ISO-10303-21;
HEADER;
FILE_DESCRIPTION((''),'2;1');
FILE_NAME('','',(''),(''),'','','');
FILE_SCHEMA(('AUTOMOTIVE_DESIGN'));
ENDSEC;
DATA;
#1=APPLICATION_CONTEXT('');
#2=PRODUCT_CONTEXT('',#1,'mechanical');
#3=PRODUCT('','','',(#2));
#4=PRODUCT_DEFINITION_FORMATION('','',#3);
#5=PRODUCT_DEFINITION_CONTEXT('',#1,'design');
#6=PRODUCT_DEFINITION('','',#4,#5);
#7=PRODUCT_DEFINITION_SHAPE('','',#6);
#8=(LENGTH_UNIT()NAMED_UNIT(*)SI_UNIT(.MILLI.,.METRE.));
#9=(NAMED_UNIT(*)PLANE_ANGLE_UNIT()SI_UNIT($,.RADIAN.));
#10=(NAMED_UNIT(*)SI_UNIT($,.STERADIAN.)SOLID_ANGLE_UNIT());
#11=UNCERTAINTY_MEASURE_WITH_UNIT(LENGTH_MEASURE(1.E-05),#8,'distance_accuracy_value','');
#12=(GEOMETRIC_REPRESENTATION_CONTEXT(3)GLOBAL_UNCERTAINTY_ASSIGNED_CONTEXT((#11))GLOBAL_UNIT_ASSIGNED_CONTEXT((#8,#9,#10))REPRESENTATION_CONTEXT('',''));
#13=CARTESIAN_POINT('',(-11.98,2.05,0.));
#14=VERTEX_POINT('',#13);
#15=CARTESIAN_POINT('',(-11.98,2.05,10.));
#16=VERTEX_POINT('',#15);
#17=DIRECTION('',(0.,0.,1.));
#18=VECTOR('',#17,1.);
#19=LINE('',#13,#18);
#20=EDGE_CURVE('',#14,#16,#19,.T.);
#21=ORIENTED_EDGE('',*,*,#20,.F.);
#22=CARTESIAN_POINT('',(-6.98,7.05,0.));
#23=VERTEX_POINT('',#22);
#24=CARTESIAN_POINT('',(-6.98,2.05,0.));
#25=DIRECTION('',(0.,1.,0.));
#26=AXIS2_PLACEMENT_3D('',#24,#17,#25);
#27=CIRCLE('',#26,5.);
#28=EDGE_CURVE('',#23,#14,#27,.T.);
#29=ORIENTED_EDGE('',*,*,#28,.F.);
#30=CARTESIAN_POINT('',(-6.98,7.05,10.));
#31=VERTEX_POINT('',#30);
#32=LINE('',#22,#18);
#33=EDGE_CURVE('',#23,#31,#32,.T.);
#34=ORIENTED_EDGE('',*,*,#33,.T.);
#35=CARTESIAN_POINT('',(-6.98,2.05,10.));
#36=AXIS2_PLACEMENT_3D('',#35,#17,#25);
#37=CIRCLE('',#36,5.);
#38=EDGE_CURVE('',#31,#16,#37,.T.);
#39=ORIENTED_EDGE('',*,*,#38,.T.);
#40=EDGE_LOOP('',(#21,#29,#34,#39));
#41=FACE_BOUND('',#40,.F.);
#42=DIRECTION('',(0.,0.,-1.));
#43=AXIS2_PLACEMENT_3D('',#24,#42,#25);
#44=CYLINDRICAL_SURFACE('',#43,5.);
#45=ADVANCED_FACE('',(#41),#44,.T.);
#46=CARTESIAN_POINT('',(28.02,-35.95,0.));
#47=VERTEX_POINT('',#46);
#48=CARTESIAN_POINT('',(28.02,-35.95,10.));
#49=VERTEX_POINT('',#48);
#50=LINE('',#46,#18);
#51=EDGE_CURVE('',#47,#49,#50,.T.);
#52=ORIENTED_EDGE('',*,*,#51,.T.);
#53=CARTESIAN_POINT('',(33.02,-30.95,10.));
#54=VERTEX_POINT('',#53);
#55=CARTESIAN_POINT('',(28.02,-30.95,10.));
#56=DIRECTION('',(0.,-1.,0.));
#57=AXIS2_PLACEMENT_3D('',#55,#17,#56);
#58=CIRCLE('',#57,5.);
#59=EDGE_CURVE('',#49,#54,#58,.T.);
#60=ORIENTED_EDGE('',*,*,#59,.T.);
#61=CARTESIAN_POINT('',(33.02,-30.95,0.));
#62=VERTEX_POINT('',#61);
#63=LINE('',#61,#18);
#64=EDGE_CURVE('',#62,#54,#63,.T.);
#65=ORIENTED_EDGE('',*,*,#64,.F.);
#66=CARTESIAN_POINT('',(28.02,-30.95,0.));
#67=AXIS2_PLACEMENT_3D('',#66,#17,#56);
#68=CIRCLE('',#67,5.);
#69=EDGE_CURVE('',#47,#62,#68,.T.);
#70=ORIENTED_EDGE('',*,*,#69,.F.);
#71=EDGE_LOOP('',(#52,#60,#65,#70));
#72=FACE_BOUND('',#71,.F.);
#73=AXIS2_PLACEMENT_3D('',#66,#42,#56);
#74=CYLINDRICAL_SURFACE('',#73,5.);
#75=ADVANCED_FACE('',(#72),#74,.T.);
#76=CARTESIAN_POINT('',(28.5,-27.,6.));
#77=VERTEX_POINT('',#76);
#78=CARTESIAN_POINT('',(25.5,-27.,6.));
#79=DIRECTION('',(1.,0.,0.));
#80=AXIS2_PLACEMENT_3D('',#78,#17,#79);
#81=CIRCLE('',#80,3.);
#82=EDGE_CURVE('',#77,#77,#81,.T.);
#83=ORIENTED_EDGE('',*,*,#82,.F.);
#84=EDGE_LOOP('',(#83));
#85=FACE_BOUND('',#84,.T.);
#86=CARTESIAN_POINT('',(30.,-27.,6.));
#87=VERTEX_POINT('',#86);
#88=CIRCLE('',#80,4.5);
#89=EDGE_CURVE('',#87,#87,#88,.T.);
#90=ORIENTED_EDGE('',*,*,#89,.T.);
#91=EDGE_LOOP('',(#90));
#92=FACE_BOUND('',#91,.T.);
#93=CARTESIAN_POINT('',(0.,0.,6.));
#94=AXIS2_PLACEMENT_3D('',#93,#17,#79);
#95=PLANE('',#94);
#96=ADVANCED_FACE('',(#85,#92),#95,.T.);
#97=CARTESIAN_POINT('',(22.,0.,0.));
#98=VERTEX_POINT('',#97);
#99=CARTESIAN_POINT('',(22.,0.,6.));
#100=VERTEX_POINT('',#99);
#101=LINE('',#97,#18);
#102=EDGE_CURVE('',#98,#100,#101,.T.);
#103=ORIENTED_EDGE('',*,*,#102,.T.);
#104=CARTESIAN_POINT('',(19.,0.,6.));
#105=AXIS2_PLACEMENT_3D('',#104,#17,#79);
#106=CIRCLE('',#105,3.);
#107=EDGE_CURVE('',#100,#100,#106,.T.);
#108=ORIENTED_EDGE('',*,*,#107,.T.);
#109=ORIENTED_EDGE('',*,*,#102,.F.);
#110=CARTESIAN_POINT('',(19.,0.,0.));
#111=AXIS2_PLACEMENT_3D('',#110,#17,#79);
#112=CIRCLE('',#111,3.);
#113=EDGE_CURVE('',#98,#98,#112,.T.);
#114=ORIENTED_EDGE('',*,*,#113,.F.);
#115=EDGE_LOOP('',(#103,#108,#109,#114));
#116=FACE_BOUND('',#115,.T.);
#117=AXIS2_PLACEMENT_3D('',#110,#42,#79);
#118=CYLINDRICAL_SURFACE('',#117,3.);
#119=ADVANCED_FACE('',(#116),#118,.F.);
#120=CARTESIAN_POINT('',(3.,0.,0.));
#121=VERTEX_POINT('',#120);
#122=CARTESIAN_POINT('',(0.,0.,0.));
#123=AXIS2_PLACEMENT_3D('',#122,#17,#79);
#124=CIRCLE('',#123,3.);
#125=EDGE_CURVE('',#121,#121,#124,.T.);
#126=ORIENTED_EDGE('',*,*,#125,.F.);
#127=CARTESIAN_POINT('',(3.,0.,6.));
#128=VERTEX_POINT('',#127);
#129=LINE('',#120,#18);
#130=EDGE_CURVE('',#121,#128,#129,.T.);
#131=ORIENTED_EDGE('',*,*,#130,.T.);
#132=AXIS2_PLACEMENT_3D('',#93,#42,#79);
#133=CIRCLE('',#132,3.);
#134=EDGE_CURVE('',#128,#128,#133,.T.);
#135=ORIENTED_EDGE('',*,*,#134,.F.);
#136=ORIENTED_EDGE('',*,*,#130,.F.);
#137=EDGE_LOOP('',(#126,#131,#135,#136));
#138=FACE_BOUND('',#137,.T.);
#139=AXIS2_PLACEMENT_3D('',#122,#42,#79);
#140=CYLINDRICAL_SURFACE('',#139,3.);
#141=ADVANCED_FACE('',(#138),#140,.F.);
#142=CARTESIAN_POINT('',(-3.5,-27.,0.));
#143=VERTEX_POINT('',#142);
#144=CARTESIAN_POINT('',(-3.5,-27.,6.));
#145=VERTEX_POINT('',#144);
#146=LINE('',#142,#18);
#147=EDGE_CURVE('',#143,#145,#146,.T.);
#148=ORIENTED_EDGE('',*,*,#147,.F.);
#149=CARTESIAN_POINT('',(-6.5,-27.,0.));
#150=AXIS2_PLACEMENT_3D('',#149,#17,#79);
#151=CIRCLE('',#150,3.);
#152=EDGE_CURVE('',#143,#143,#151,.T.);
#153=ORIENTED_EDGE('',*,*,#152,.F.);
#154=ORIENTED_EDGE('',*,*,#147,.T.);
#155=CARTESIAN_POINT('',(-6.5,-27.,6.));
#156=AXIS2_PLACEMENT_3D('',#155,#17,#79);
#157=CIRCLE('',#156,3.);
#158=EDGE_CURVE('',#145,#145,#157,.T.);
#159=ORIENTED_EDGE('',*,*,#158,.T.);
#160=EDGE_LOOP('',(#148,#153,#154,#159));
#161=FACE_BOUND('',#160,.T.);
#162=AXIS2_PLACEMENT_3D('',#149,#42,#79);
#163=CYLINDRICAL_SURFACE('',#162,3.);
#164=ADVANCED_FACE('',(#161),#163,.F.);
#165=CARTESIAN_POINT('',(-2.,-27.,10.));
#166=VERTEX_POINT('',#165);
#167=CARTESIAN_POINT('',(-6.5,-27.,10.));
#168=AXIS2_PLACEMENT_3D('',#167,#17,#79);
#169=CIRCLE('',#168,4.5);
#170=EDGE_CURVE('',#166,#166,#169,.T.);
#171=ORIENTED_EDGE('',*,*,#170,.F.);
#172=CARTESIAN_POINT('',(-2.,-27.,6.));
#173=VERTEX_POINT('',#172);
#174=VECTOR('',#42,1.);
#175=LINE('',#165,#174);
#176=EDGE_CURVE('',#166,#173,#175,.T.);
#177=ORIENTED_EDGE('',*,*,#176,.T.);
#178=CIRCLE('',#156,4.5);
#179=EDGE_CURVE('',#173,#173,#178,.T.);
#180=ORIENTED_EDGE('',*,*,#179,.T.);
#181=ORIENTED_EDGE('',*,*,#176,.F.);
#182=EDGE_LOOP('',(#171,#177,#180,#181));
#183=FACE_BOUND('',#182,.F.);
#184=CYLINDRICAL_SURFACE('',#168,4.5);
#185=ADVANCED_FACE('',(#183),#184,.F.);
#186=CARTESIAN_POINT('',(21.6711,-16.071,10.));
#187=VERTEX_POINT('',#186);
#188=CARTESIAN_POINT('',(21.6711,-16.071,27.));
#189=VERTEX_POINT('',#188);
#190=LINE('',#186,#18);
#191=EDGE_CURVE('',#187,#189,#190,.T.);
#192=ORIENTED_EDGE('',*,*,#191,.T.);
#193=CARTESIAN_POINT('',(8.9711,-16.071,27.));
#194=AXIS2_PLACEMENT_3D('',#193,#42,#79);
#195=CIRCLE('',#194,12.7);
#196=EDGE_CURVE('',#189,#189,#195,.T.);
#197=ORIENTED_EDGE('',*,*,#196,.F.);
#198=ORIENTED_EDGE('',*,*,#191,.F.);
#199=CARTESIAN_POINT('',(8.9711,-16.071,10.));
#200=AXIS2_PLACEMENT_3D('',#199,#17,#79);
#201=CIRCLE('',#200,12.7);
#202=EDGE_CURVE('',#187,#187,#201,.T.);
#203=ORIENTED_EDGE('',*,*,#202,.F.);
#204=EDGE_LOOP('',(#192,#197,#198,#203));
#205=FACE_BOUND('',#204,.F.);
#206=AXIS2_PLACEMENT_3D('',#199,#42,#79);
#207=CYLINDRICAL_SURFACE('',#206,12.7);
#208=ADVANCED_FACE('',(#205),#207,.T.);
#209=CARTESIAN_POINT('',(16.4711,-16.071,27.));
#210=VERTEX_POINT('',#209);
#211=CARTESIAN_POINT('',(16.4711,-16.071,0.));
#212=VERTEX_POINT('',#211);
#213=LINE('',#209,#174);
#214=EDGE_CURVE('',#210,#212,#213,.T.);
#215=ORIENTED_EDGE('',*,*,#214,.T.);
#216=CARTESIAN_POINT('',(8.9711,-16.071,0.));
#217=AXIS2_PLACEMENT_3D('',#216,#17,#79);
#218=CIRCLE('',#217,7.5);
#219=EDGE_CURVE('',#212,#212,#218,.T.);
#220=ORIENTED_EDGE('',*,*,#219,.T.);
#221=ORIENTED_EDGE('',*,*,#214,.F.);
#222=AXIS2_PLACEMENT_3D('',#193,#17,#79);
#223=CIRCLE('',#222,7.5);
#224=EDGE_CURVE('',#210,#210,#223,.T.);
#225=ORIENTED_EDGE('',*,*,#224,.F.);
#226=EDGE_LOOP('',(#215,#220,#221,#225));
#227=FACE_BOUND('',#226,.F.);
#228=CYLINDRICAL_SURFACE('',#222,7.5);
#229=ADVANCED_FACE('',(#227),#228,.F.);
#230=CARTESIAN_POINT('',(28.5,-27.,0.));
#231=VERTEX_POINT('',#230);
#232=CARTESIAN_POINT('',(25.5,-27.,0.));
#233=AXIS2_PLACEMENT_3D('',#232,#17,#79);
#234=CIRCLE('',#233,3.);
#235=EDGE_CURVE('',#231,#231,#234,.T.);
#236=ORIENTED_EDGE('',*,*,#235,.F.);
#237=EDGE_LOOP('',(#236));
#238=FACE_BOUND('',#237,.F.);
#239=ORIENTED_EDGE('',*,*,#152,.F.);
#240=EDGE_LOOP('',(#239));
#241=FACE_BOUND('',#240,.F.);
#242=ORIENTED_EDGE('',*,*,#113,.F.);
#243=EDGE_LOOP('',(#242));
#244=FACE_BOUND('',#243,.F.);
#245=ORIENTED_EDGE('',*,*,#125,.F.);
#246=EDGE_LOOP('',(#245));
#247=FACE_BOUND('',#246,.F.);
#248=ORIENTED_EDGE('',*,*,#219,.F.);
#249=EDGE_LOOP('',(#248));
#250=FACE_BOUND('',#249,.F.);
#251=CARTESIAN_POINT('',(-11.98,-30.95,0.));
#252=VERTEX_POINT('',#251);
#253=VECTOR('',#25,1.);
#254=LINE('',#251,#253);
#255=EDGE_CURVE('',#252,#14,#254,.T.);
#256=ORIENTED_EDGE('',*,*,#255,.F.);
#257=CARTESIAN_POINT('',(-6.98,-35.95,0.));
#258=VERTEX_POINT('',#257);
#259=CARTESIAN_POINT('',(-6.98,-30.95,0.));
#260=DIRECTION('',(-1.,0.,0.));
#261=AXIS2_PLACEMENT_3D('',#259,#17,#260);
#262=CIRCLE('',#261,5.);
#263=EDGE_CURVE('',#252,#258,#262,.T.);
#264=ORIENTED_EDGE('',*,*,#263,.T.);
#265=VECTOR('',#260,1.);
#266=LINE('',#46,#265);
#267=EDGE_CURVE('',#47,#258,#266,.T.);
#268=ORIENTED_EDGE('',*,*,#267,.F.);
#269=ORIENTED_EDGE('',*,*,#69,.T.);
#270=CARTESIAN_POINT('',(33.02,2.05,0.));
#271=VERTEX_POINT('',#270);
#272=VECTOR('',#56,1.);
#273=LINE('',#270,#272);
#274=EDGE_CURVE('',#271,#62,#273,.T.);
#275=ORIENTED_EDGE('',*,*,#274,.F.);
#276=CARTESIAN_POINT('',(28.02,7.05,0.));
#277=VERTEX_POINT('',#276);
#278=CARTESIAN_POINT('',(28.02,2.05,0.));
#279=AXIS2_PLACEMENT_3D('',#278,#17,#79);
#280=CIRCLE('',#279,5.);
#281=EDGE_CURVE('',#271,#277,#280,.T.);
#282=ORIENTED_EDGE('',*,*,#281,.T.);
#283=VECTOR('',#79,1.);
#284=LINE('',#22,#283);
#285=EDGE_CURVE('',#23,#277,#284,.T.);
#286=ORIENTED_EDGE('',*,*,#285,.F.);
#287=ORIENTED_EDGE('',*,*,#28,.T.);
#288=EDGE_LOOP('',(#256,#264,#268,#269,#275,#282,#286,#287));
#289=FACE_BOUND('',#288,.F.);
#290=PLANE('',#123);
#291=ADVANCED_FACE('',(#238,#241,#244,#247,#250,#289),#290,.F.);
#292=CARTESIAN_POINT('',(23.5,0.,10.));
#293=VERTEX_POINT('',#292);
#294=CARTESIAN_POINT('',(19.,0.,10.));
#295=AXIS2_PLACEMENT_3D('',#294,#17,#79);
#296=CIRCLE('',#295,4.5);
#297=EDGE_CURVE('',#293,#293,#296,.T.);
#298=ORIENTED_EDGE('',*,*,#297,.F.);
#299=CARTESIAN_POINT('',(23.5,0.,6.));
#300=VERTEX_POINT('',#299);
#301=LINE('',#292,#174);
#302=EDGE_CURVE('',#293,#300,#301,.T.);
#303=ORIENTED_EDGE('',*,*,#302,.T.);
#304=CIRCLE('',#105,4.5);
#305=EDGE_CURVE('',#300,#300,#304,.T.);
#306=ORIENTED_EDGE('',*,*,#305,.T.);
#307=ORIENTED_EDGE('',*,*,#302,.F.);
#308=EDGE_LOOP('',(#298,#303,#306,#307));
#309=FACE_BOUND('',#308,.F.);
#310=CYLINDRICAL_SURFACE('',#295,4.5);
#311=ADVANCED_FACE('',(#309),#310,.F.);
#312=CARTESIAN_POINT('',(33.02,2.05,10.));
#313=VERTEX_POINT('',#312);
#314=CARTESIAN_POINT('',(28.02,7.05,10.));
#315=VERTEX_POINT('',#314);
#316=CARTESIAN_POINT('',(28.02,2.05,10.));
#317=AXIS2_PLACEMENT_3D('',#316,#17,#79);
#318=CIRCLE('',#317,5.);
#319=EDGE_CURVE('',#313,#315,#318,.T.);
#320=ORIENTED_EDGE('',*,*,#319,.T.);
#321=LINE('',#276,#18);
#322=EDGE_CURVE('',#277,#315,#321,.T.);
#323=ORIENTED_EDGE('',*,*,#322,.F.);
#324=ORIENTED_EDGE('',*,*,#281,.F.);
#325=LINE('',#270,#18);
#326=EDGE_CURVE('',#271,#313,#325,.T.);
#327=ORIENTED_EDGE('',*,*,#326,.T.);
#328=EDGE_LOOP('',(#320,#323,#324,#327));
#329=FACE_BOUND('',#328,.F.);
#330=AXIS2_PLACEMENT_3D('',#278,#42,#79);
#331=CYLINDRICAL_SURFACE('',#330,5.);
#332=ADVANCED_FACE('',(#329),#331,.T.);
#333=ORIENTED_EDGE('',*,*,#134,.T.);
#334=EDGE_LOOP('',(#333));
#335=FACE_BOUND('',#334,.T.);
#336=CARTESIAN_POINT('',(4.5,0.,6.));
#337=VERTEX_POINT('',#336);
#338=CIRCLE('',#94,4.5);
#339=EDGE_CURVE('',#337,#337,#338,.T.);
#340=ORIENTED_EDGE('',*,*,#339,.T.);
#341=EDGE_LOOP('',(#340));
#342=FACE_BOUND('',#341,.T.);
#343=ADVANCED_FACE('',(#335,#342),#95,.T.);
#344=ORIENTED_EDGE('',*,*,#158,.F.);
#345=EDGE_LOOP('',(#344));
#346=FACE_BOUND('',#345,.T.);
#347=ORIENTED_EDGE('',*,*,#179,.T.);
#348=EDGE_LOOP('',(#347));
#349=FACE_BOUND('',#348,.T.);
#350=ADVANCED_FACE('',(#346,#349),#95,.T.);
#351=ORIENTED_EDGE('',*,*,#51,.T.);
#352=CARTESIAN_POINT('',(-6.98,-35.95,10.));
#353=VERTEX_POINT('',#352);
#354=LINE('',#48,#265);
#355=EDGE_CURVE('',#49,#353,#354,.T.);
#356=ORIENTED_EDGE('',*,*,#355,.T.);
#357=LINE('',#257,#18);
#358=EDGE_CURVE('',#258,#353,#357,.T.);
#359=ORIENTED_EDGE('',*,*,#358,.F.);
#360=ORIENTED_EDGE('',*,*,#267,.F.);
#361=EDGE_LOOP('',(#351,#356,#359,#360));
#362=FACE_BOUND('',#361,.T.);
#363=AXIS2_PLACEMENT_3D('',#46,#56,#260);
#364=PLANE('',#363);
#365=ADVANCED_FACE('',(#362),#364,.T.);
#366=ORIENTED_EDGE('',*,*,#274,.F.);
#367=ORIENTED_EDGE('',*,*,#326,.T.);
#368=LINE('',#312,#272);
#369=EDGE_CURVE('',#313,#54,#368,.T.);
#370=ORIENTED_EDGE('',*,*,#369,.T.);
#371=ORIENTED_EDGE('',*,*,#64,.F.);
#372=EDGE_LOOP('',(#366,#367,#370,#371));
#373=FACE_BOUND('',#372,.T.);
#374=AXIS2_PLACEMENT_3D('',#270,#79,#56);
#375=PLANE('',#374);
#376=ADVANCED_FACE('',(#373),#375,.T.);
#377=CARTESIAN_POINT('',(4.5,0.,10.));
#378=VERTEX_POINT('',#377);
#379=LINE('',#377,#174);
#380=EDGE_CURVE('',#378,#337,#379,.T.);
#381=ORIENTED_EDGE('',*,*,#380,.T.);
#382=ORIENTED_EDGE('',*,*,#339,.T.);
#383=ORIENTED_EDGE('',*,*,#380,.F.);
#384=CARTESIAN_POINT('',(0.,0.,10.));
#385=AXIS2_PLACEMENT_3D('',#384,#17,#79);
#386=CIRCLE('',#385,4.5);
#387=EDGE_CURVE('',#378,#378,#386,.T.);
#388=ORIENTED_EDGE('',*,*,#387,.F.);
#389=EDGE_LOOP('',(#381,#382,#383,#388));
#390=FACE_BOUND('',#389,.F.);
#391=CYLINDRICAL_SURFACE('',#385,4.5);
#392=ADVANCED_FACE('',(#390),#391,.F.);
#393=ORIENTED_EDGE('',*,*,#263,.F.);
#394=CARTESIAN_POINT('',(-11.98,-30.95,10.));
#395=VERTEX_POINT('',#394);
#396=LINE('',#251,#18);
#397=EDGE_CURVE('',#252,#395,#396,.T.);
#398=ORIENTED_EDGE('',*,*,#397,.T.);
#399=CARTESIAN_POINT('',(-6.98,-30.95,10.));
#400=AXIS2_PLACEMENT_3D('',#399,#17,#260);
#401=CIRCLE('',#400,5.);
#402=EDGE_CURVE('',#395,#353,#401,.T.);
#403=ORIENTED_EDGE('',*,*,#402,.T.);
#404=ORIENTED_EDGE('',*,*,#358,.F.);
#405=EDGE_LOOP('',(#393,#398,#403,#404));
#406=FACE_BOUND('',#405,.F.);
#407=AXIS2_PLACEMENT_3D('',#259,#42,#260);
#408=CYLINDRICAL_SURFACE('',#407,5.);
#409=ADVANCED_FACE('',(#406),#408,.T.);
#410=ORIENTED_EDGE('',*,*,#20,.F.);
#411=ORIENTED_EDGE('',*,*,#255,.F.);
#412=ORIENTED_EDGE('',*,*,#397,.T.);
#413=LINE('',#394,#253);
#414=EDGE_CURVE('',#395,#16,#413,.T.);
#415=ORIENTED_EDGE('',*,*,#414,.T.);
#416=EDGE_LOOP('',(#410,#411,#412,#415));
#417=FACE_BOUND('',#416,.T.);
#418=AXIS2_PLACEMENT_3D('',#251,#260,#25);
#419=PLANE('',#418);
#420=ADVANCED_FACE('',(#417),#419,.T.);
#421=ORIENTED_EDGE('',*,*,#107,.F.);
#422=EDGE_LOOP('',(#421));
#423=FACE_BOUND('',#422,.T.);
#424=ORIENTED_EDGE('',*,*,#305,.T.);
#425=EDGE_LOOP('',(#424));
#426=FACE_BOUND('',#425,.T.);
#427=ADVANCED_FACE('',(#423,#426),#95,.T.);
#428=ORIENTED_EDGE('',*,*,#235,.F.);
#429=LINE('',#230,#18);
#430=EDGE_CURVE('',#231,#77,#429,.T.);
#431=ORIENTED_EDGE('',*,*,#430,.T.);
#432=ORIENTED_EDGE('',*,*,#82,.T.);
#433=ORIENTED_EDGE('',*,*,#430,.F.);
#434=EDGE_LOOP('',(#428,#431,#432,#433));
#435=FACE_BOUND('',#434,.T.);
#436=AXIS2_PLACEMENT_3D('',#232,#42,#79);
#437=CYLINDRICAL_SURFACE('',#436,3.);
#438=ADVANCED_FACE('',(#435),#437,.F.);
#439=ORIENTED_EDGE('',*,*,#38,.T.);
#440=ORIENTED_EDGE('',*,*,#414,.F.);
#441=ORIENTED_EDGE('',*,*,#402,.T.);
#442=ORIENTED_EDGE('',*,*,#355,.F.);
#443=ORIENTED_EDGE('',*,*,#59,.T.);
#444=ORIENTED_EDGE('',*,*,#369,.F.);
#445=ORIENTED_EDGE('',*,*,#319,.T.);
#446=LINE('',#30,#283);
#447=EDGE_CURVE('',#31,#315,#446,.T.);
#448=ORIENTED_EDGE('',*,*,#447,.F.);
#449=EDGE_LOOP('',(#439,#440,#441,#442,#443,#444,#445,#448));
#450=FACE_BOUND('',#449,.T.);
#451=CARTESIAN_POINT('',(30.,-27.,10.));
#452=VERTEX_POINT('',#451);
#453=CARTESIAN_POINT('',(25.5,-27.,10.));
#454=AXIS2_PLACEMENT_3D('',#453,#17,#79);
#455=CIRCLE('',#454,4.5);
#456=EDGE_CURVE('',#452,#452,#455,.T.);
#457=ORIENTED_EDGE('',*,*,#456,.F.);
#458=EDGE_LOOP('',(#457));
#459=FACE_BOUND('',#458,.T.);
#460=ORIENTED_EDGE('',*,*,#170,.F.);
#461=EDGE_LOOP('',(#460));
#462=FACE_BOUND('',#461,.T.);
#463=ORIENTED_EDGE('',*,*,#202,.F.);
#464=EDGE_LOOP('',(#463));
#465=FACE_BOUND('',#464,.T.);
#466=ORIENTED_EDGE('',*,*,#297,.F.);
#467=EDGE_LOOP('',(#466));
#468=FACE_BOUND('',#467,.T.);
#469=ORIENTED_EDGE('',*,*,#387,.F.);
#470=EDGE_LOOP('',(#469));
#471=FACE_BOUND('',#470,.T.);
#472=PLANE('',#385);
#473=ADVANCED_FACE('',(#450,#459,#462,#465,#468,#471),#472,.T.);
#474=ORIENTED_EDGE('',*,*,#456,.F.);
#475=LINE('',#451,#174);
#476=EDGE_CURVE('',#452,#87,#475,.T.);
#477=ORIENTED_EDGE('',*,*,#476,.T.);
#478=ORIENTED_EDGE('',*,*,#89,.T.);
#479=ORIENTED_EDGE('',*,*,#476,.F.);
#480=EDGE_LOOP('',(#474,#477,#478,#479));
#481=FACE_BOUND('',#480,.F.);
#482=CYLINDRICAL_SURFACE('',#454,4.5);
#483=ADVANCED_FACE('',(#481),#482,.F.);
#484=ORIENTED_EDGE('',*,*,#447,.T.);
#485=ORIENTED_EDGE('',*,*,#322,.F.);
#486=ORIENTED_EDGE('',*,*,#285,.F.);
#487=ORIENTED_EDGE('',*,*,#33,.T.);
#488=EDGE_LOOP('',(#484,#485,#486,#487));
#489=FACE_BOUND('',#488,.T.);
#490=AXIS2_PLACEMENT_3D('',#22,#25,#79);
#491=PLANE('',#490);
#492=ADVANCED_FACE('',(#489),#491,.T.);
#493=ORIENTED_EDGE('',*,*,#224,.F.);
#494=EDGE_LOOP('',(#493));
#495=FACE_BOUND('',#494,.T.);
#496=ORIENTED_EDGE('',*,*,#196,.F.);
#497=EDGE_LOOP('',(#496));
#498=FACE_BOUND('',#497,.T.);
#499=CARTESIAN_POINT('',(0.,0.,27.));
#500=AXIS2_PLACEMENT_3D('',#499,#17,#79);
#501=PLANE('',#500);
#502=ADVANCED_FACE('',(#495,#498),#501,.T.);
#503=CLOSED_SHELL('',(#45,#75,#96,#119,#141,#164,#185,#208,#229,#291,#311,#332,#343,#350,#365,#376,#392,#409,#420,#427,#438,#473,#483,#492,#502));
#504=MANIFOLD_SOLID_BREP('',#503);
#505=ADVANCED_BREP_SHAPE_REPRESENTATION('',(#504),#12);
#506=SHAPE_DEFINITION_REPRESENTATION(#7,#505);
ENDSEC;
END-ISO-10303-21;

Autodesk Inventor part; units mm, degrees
ref_plane "YZ Plane" through (0, 0, 0) normal (1, 0, 0) x (0, 1, 0)
ref_plane "XZ Plane" through (0, 0, 0) normal (0, 1, 0) x (-1, 0, 0)
ref_plane "XY Plane" through (0, 0, 0) normal (0, 0, 1) x (1, 0, 0)
sketch "Sketch1" plane through (0, 0, 0) normal (0, 0, 1) x (1, 0, 0)
  circle A0 centre (19, 0) radius 4.65 projected
  circle A1 centre (-6.5, -27) radius 4.65 projected
  circle A2 centre (0, 0) radius 4.65 projected
  circle A3 centre (25.5, -27) radius 4.65 projected
  arc A4 (28.02, -35.95) -> (33.02, -30.95) centre (28.02, -30.95) ccw projected
  line L0 (33.02, 2.05) -> (33.02, -30.95) projected
  arc A5 (33.02, 2.05) -> (28.02, 7.05) centre (28.02, 2.05) ccw projected
  line L1 (-6.98, 7.05) -> (28.02, 7.05) projected
  arc A6 (-6.98, 7.05) -> (-11.98, 2.05) centre (-6.98, 2.05) ccw projected
  line L2 (-11.98, -30.95) -> (-11.98, 2.05) projected
  arc A7 (-11.98, -30.95) -> (-6.98, -35.95) centre (-6.98, -30.95) ccw projected
  line L3 (28.02, -35.95) -> (-6.98, -35.95) projected
  arc A8 (20.169, -15.05) -> (19.169, -16.05) centre (20.169, -16.05) ccw projected
  line L4 (20.169, -15.05) -> (21.169, -15.05) projected
  line L5 (21.169, -15.05) -> (21.169, -17.95) projected
  line L6 (21.169, -17.95) -> (20.169, -17.95) projected
  arc A9 (19.169, -16.95) -> (20.169, -17.95) centre (20.169, -16.95) ccw projected
  line L7 (19.169, -16.95) -> (19.169, -22.1) projected
  line L8 (19.169, -22.1) -> (-2.331, -22.1) projected
  line L9 (-2.331, -22.1) -> (-2.331, -10.9) projected
  line L10 (-2.331, -10.9) -> (19.169, -10.9) projected
  line L11 (19.169, -10.9) -> (19.169, -16.05) projected
  circle A10 centre (-6.48, -12.9) radius 2 projected
  circle A11 centre (-3.844, -16.512) radius 0.75 projected
  circle A12 centre (23.72, -20.1) radius 2 projected
  line L12 (19.169, -16.05) -> (19.169, -16.95)
  circle A13 centre (25.5, -27) radius 3
  circle A14 centre (-6.5, -27) radius 3
  circle A15 centre (0, 0) radius 3
  circle A16 centre (19, 0) radius 3
  circle A17 centre (19, 0) radius 5
  dimension "d8" = 10
  dimension "d13" = 6
  dimension "d14" = 6
  dimension "d15" = 6
  dimension "d16" = 6
extrude "Extrusion1" add sketch "Sketch1" along normal blind 10 contours A0 | A1 | A2 | A3 | L3 A7 L2 A6 L1 A5 L0 A4 | L4 L5 L6 A9 L12 A8 | L12 L7 L8 L9 L10 L11 | A10 | A11 | A12 | A17
sketch "Sketch3" plane through (0, 0, 10) normal (0, 0, 1) x (1, 0, 0)
  line L0 (32.9618, -36.0107) -> (-11.98, 7.05)
  line L1 (-11.98, -35.95) -> (33.02, 7.05)
  circle A0 centre (8.9711, -16.071) radius 12.7
  circle A1 centre (-6.5, -27) radius 3 projected
  circle A2 centre (19, 0) radius 3 projected
  point P0 (0, 0)
  dimension "d2" = 25.4
  dimension "d17" = 2.2
extrude "Extrusion2" add sketch "Sketch3" along normal blind 17 contours A0 L1 L0 | L0 L1 A0 | L1 A0 L0 | L0 A0 L1
sketch "Sketch4" plane through (8.9711, -16.071, 27) normal (0, 0, 1) x (1, 0, 0)
  circle A0 centre (0, 0) radius 12.7 projected
  circle A1 centre (0, 0) radius 7.5
  point P0 (-8.9711, 16.071)
  dimension "d5" = 15
extrude "Extrusion3" cut sketch "Sketch4" against normal through all contours A1
sketch "Sketch5" plane through (0, 0, 10) normal (0, 0, 1) x (1, 0, 0)
  circle A0 centre (19, 0) radius 3 projected
  circle A1 centre (19, 0) radius 4.5
  circle A2 centre (0, 0) radius 4.5
  circle A3 centre (25.5, -27) radius 3 projected
  circle A4 centre (25.5, -27) radius 4.5
  circle A5 centre (-6.5, -27) radius 3 projected
  circle A6 centre (-6.5, -27) radius 4.5
  dimension "d9" = 9
  dimension "d10" = 9
  dimension "d18" = 9
  dimension "d19" = 9
extrude "Extrusion4" cut sketch "Sketch5" against normal blind 4
properties part number "Mount_DMD_KM100"
